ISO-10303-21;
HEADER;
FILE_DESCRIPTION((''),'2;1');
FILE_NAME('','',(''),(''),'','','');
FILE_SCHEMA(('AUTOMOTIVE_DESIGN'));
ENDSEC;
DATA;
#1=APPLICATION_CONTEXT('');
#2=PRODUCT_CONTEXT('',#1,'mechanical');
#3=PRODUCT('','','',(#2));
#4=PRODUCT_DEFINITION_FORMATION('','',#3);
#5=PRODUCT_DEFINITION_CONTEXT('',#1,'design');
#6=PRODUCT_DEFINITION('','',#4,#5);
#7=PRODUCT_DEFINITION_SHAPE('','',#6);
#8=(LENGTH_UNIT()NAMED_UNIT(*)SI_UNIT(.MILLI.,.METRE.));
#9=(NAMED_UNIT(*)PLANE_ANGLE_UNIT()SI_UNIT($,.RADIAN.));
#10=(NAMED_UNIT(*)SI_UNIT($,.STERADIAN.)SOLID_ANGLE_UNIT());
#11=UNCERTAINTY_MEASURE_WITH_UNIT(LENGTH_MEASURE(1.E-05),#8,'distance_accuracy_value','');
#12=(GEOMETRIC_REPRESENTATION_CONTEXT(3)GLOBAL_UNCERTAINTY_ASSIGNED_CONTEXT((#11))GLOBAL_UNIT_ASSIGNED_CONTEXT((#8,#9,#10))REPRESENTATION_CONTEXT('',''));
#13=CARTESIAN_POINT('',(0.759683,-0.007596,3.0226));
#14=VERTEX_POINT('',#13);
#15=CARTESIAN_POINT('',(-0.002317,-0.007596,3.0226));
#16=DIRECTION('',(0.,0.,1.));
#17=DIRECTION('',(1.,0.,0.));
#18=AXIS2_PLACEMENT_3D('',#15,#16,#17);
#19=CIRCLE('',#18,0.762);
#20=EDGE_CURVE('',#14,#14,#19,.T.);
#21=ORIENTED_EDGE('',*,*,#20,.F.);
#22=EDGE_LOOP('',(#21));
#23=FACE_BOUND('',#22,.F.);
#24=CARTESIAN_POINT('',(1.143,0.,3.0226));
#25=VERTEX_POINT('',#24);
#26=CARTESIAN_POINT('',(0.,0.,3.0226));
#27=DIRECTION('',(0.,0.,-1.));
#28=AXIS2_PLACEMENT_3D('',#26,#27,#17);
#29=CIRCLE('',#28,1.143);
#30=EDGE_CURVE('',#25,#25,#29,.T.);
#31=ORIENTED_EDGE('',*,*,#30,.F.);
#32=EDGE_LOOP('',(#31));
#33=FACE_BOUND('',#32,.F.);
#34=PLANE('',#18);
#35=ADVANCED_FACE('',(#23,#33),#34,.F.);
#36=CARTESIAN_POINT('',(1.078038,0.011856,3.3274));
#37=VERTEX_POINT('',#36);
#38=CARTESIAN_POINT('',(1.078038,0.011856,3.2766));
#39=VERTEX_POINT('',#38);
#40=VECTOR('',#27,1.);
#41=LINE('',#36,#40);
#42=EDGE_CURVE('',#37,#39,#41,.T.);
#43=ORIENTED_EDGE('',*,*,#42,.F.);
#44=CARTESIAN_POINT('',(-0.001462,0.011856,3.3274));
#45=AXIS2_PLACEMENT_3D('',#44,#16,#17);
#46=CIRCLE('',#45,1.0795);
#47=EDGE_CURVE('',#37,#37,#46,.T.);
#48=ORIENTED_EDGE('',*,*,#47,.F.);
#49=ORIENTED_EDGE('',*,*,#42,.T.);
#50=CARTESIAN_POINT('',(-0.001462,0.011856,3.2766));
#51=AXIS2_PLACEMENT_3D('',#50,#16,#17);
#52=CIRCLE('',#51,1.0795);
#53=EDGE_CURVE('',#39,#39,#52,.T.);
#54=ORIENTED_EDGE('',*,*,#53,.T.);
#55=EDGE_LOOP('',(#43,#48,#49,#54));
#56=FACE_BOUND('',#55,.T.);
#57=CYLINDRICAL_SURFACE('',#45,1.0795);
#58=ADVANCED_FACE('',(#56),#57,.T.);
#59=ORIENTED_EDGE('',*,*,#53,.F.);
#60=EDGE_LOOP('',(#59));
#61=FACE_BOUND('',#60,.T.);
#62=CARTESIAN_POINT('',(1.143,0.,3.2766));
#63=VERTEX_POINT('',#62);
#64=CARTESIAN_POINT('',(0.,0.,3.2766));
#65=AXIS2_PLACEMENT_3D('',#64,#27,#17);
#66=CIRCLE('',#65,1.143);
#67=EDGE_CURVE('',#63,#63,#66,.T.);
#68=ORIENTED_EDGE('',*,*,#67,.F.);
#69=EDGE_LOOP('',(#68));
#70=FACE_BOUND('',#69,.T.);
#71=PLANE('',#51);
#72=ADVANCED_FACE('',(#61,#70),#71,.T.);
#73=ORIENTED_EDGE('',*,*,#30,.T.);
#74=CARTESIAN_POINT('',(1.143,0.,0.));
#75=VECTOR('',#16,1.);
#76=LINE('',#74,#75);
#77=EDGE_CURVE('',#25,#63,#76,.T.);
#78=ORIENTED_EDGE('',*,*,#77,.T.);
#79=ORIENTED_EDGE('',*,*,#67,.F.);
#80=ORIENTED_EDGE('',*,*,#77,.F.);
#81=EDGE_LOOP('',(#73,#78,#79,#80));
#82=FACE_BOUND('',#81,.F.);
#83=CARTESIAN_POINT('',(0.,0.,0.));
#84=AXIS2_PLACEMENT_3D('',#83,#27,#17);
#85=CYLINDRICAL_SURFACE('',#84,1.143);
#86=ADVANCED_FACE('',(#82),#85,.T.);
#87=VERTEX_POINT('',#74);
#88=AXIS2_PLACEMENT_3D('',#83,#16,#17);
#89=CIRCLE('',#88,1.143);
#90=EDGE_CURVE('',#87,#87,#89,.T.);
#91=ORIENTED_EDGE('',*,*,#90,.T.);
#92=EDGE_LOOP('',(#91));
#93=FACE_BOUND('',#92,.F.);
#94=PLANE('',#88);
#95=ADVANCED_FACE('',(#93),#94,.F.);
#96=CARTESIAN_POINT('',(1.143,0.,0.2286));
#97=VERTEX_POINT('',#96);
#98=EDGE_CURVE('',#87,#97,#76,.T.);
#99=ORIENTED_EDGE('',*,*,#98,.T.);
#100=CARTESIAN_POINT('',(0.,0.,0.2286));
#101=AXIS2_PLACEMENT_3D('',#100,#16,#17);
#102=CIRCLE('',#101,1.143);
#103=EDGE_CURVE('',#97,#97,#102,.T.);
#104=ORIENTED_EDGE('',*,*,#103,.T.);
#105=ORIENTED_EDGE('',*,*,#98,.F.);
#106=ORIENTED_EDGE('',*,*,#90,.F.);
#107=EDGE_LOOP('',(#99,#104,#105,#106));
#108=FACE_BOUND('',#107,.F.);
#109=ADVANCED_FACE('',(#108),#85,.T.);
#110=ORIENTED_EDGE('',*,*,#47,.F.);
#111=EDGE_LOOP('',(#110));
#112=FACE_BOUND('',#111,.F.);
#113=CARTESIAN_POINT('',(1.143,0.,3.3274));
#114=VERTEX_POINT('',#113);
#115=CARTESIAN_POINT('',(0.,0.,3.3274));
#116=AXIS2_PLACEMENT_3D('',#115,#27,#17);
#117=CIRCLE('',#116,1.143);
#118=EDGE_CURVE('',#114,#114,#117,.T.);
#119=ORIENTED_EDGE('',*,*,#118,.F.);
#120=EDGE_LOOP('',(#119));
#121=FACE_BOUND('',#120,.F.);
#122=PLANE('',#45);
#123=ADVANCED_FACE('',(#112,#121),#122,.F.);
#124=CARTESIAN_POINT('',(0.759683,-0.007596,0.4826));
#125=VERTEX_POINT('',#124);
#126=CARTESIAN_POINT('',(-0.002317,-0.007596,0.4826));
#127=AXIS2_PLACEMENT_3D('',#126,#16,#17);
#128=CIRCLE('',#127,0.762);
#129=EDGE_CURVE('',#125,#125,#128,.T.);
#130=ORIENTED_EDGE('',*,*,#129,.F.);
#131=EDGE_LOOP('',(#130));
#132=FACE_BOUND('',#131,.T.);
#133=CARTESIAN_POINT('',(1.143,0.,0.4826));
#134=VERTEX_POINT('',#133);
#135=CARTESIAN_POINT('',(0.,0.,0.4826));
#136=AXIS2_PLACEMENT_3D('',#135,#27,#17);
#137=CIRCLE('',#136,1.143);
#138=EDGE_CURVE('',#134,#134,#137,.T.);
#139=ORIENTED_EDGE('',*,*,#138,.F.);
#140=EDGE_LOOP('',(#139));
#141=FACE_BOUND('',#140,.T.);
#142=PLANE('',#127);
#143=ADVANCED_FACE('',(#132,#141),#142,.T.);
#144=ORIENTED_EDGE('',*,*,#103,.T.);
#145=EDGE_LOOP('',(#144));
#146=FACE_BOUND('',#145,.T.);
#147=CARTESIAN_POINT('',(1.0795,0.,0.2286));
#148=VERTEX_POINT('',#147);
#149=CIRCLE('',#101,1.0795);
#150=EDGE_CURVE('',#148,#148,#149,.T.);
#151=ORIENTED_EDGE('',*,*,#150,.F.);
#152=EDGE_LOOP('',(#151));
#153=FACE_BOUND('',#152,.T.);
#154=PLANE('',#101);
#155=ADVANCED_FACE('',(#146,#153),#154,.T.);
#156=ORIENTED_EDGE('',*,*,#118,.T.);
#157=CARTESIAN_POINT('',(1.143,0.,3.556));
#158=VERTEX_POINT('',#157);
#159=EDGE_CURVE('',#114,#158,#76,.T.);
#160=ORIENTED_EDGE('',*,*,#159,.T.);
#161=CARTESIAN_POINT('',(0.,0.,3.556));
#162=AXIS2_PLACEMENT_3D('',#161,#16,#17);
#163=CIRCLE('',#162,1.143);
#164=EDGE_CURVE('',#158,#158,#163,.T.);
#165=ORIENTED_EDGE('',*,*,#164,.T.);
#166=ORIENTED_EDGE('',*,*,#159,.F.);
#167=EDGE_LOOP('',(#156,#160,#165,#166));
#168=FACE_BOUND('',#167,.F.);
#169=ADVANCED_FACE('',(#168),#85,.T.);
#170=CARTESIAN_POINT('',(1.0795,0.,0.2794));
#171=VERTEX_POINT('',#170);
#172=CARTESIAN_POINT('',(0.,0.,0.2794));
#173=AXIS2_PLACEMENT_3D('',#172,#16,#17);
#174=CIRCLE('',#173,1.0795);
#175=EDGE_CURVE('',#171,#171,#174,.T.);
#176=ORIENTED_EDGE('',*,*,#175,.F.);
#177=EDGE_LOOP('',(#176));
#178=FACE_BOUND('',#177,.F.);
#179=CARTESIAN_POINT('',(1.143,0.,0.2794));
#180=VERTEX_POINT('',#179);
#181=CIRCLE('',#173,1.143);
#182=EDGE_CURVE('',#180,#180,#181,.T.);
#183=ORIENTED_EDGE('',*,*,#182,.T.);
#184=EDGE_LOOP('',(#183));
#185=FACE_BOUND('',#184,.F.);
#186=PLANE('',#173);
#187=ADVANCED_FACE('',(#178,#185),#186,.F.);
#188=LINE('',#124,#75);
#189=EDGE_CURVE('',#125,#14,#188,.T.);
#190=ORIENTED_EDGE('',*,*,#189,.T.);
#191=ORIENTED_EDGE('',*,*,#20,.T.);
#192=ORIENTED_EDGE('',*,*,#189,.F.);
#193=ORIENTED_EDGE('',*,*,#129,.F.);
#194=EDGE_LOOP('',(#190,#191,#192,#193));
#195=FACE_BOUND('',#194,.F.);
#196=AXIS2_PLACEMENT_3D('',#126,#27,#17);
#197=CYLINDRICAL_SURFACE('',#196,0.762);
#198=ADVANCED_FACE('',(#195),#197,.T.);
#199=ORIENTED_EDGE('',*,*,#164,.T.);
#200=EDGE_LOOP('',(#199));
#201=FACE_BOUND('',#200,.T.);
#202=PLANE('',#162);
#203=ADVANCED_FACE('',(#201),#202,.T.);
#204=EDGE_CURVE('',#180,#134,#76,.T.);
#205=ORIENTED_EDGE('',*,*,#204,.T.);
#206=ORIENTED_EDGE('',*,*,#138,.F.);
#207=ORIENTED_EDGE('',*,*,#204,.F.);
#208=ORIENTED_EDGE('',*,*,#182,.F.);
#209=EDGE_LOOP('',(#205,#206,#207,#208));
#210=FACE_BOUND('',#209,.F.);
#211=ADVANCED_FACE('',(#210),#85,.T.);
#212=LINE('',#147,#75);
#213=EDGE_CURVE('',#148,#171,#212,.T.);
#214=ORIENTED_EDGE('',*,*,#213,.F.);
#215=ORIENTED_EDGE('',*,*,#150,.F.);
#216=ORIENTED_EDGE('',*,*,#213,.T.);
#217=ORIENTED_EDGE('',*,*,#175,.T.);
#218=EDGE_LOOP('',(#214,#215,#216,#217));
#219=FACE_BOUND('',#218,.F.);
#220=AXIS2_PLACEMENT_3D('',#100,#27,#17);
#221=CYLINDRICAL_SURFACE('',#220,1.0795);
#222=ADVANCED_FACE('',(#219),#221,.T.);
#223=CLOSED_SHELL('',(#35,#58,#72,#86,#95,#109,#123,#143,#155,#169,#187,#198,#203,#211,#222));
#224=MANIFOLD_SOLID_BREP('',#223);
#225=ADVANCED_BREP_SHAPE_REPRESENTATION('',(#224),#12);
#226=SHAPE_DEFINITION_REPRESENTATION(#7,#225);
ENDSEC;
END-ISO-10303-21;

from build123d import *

# Parameters (mm, degrees)
F0_R      = 1.143
F1_DEPTH  = 3.556
F4_R      = 1.143
F4_R_2    = 1.0795
F5_DEPTH  = 0.0508
F6_R      = 1.1557
F6_R_2    = 1.0795
F7_DEPTH  = 0.0508
F9_R      = 1.1557
F9_R_2    = 0.762
F10_DEPTH = 2.54


with BuildPart() as f1:
    # F0 (on Top) → F1 (new body)
    with BuildSketch(Plane.XY):
        Circle(F0_R)
    extrude(amount=F1_DEPTH)

    # F4 (on offset) → F5 (cut)
    with BuildSketch(Plane.XY.offset(0.2286)):
        Circle(F4_R)
        Circle(F4_R_2, mode=Mode.SUBTRACT)
    extrude(amount=F5_DEPTH, mode=Mode.SUBTRACT)

    # F6 (on offset) → F7 (cut)
    with BuildSketch(Plane.XY.offset(3.3274)):
        with Locations((-0.00146219, 0.0118558792)):
            Circle(F6_R)
        with Locations((-0.00146219, 0.0118558792)):
            Circle(F6_R_2, mode=Mode.SUBTRACT)
    extrude(amount=-F7_DEPTH, mode=Mode.SUBTRACT)

    # F9 (on offset) → F10 (cut)
    with BuildSketch(Plane.XY.offset(0.4826)):
        with Locations((-0.002316847, -0.0075962889)):
            Circle(F9_R)
        with Locations((-0.002316847, -0.0075962889)):
            Circle(F9_R_2, mode=Mode.SUBTRACT)
    extrude(amount=F10_DEPTH, mode=Mode.SUBTRACT)


solid = f1.part
